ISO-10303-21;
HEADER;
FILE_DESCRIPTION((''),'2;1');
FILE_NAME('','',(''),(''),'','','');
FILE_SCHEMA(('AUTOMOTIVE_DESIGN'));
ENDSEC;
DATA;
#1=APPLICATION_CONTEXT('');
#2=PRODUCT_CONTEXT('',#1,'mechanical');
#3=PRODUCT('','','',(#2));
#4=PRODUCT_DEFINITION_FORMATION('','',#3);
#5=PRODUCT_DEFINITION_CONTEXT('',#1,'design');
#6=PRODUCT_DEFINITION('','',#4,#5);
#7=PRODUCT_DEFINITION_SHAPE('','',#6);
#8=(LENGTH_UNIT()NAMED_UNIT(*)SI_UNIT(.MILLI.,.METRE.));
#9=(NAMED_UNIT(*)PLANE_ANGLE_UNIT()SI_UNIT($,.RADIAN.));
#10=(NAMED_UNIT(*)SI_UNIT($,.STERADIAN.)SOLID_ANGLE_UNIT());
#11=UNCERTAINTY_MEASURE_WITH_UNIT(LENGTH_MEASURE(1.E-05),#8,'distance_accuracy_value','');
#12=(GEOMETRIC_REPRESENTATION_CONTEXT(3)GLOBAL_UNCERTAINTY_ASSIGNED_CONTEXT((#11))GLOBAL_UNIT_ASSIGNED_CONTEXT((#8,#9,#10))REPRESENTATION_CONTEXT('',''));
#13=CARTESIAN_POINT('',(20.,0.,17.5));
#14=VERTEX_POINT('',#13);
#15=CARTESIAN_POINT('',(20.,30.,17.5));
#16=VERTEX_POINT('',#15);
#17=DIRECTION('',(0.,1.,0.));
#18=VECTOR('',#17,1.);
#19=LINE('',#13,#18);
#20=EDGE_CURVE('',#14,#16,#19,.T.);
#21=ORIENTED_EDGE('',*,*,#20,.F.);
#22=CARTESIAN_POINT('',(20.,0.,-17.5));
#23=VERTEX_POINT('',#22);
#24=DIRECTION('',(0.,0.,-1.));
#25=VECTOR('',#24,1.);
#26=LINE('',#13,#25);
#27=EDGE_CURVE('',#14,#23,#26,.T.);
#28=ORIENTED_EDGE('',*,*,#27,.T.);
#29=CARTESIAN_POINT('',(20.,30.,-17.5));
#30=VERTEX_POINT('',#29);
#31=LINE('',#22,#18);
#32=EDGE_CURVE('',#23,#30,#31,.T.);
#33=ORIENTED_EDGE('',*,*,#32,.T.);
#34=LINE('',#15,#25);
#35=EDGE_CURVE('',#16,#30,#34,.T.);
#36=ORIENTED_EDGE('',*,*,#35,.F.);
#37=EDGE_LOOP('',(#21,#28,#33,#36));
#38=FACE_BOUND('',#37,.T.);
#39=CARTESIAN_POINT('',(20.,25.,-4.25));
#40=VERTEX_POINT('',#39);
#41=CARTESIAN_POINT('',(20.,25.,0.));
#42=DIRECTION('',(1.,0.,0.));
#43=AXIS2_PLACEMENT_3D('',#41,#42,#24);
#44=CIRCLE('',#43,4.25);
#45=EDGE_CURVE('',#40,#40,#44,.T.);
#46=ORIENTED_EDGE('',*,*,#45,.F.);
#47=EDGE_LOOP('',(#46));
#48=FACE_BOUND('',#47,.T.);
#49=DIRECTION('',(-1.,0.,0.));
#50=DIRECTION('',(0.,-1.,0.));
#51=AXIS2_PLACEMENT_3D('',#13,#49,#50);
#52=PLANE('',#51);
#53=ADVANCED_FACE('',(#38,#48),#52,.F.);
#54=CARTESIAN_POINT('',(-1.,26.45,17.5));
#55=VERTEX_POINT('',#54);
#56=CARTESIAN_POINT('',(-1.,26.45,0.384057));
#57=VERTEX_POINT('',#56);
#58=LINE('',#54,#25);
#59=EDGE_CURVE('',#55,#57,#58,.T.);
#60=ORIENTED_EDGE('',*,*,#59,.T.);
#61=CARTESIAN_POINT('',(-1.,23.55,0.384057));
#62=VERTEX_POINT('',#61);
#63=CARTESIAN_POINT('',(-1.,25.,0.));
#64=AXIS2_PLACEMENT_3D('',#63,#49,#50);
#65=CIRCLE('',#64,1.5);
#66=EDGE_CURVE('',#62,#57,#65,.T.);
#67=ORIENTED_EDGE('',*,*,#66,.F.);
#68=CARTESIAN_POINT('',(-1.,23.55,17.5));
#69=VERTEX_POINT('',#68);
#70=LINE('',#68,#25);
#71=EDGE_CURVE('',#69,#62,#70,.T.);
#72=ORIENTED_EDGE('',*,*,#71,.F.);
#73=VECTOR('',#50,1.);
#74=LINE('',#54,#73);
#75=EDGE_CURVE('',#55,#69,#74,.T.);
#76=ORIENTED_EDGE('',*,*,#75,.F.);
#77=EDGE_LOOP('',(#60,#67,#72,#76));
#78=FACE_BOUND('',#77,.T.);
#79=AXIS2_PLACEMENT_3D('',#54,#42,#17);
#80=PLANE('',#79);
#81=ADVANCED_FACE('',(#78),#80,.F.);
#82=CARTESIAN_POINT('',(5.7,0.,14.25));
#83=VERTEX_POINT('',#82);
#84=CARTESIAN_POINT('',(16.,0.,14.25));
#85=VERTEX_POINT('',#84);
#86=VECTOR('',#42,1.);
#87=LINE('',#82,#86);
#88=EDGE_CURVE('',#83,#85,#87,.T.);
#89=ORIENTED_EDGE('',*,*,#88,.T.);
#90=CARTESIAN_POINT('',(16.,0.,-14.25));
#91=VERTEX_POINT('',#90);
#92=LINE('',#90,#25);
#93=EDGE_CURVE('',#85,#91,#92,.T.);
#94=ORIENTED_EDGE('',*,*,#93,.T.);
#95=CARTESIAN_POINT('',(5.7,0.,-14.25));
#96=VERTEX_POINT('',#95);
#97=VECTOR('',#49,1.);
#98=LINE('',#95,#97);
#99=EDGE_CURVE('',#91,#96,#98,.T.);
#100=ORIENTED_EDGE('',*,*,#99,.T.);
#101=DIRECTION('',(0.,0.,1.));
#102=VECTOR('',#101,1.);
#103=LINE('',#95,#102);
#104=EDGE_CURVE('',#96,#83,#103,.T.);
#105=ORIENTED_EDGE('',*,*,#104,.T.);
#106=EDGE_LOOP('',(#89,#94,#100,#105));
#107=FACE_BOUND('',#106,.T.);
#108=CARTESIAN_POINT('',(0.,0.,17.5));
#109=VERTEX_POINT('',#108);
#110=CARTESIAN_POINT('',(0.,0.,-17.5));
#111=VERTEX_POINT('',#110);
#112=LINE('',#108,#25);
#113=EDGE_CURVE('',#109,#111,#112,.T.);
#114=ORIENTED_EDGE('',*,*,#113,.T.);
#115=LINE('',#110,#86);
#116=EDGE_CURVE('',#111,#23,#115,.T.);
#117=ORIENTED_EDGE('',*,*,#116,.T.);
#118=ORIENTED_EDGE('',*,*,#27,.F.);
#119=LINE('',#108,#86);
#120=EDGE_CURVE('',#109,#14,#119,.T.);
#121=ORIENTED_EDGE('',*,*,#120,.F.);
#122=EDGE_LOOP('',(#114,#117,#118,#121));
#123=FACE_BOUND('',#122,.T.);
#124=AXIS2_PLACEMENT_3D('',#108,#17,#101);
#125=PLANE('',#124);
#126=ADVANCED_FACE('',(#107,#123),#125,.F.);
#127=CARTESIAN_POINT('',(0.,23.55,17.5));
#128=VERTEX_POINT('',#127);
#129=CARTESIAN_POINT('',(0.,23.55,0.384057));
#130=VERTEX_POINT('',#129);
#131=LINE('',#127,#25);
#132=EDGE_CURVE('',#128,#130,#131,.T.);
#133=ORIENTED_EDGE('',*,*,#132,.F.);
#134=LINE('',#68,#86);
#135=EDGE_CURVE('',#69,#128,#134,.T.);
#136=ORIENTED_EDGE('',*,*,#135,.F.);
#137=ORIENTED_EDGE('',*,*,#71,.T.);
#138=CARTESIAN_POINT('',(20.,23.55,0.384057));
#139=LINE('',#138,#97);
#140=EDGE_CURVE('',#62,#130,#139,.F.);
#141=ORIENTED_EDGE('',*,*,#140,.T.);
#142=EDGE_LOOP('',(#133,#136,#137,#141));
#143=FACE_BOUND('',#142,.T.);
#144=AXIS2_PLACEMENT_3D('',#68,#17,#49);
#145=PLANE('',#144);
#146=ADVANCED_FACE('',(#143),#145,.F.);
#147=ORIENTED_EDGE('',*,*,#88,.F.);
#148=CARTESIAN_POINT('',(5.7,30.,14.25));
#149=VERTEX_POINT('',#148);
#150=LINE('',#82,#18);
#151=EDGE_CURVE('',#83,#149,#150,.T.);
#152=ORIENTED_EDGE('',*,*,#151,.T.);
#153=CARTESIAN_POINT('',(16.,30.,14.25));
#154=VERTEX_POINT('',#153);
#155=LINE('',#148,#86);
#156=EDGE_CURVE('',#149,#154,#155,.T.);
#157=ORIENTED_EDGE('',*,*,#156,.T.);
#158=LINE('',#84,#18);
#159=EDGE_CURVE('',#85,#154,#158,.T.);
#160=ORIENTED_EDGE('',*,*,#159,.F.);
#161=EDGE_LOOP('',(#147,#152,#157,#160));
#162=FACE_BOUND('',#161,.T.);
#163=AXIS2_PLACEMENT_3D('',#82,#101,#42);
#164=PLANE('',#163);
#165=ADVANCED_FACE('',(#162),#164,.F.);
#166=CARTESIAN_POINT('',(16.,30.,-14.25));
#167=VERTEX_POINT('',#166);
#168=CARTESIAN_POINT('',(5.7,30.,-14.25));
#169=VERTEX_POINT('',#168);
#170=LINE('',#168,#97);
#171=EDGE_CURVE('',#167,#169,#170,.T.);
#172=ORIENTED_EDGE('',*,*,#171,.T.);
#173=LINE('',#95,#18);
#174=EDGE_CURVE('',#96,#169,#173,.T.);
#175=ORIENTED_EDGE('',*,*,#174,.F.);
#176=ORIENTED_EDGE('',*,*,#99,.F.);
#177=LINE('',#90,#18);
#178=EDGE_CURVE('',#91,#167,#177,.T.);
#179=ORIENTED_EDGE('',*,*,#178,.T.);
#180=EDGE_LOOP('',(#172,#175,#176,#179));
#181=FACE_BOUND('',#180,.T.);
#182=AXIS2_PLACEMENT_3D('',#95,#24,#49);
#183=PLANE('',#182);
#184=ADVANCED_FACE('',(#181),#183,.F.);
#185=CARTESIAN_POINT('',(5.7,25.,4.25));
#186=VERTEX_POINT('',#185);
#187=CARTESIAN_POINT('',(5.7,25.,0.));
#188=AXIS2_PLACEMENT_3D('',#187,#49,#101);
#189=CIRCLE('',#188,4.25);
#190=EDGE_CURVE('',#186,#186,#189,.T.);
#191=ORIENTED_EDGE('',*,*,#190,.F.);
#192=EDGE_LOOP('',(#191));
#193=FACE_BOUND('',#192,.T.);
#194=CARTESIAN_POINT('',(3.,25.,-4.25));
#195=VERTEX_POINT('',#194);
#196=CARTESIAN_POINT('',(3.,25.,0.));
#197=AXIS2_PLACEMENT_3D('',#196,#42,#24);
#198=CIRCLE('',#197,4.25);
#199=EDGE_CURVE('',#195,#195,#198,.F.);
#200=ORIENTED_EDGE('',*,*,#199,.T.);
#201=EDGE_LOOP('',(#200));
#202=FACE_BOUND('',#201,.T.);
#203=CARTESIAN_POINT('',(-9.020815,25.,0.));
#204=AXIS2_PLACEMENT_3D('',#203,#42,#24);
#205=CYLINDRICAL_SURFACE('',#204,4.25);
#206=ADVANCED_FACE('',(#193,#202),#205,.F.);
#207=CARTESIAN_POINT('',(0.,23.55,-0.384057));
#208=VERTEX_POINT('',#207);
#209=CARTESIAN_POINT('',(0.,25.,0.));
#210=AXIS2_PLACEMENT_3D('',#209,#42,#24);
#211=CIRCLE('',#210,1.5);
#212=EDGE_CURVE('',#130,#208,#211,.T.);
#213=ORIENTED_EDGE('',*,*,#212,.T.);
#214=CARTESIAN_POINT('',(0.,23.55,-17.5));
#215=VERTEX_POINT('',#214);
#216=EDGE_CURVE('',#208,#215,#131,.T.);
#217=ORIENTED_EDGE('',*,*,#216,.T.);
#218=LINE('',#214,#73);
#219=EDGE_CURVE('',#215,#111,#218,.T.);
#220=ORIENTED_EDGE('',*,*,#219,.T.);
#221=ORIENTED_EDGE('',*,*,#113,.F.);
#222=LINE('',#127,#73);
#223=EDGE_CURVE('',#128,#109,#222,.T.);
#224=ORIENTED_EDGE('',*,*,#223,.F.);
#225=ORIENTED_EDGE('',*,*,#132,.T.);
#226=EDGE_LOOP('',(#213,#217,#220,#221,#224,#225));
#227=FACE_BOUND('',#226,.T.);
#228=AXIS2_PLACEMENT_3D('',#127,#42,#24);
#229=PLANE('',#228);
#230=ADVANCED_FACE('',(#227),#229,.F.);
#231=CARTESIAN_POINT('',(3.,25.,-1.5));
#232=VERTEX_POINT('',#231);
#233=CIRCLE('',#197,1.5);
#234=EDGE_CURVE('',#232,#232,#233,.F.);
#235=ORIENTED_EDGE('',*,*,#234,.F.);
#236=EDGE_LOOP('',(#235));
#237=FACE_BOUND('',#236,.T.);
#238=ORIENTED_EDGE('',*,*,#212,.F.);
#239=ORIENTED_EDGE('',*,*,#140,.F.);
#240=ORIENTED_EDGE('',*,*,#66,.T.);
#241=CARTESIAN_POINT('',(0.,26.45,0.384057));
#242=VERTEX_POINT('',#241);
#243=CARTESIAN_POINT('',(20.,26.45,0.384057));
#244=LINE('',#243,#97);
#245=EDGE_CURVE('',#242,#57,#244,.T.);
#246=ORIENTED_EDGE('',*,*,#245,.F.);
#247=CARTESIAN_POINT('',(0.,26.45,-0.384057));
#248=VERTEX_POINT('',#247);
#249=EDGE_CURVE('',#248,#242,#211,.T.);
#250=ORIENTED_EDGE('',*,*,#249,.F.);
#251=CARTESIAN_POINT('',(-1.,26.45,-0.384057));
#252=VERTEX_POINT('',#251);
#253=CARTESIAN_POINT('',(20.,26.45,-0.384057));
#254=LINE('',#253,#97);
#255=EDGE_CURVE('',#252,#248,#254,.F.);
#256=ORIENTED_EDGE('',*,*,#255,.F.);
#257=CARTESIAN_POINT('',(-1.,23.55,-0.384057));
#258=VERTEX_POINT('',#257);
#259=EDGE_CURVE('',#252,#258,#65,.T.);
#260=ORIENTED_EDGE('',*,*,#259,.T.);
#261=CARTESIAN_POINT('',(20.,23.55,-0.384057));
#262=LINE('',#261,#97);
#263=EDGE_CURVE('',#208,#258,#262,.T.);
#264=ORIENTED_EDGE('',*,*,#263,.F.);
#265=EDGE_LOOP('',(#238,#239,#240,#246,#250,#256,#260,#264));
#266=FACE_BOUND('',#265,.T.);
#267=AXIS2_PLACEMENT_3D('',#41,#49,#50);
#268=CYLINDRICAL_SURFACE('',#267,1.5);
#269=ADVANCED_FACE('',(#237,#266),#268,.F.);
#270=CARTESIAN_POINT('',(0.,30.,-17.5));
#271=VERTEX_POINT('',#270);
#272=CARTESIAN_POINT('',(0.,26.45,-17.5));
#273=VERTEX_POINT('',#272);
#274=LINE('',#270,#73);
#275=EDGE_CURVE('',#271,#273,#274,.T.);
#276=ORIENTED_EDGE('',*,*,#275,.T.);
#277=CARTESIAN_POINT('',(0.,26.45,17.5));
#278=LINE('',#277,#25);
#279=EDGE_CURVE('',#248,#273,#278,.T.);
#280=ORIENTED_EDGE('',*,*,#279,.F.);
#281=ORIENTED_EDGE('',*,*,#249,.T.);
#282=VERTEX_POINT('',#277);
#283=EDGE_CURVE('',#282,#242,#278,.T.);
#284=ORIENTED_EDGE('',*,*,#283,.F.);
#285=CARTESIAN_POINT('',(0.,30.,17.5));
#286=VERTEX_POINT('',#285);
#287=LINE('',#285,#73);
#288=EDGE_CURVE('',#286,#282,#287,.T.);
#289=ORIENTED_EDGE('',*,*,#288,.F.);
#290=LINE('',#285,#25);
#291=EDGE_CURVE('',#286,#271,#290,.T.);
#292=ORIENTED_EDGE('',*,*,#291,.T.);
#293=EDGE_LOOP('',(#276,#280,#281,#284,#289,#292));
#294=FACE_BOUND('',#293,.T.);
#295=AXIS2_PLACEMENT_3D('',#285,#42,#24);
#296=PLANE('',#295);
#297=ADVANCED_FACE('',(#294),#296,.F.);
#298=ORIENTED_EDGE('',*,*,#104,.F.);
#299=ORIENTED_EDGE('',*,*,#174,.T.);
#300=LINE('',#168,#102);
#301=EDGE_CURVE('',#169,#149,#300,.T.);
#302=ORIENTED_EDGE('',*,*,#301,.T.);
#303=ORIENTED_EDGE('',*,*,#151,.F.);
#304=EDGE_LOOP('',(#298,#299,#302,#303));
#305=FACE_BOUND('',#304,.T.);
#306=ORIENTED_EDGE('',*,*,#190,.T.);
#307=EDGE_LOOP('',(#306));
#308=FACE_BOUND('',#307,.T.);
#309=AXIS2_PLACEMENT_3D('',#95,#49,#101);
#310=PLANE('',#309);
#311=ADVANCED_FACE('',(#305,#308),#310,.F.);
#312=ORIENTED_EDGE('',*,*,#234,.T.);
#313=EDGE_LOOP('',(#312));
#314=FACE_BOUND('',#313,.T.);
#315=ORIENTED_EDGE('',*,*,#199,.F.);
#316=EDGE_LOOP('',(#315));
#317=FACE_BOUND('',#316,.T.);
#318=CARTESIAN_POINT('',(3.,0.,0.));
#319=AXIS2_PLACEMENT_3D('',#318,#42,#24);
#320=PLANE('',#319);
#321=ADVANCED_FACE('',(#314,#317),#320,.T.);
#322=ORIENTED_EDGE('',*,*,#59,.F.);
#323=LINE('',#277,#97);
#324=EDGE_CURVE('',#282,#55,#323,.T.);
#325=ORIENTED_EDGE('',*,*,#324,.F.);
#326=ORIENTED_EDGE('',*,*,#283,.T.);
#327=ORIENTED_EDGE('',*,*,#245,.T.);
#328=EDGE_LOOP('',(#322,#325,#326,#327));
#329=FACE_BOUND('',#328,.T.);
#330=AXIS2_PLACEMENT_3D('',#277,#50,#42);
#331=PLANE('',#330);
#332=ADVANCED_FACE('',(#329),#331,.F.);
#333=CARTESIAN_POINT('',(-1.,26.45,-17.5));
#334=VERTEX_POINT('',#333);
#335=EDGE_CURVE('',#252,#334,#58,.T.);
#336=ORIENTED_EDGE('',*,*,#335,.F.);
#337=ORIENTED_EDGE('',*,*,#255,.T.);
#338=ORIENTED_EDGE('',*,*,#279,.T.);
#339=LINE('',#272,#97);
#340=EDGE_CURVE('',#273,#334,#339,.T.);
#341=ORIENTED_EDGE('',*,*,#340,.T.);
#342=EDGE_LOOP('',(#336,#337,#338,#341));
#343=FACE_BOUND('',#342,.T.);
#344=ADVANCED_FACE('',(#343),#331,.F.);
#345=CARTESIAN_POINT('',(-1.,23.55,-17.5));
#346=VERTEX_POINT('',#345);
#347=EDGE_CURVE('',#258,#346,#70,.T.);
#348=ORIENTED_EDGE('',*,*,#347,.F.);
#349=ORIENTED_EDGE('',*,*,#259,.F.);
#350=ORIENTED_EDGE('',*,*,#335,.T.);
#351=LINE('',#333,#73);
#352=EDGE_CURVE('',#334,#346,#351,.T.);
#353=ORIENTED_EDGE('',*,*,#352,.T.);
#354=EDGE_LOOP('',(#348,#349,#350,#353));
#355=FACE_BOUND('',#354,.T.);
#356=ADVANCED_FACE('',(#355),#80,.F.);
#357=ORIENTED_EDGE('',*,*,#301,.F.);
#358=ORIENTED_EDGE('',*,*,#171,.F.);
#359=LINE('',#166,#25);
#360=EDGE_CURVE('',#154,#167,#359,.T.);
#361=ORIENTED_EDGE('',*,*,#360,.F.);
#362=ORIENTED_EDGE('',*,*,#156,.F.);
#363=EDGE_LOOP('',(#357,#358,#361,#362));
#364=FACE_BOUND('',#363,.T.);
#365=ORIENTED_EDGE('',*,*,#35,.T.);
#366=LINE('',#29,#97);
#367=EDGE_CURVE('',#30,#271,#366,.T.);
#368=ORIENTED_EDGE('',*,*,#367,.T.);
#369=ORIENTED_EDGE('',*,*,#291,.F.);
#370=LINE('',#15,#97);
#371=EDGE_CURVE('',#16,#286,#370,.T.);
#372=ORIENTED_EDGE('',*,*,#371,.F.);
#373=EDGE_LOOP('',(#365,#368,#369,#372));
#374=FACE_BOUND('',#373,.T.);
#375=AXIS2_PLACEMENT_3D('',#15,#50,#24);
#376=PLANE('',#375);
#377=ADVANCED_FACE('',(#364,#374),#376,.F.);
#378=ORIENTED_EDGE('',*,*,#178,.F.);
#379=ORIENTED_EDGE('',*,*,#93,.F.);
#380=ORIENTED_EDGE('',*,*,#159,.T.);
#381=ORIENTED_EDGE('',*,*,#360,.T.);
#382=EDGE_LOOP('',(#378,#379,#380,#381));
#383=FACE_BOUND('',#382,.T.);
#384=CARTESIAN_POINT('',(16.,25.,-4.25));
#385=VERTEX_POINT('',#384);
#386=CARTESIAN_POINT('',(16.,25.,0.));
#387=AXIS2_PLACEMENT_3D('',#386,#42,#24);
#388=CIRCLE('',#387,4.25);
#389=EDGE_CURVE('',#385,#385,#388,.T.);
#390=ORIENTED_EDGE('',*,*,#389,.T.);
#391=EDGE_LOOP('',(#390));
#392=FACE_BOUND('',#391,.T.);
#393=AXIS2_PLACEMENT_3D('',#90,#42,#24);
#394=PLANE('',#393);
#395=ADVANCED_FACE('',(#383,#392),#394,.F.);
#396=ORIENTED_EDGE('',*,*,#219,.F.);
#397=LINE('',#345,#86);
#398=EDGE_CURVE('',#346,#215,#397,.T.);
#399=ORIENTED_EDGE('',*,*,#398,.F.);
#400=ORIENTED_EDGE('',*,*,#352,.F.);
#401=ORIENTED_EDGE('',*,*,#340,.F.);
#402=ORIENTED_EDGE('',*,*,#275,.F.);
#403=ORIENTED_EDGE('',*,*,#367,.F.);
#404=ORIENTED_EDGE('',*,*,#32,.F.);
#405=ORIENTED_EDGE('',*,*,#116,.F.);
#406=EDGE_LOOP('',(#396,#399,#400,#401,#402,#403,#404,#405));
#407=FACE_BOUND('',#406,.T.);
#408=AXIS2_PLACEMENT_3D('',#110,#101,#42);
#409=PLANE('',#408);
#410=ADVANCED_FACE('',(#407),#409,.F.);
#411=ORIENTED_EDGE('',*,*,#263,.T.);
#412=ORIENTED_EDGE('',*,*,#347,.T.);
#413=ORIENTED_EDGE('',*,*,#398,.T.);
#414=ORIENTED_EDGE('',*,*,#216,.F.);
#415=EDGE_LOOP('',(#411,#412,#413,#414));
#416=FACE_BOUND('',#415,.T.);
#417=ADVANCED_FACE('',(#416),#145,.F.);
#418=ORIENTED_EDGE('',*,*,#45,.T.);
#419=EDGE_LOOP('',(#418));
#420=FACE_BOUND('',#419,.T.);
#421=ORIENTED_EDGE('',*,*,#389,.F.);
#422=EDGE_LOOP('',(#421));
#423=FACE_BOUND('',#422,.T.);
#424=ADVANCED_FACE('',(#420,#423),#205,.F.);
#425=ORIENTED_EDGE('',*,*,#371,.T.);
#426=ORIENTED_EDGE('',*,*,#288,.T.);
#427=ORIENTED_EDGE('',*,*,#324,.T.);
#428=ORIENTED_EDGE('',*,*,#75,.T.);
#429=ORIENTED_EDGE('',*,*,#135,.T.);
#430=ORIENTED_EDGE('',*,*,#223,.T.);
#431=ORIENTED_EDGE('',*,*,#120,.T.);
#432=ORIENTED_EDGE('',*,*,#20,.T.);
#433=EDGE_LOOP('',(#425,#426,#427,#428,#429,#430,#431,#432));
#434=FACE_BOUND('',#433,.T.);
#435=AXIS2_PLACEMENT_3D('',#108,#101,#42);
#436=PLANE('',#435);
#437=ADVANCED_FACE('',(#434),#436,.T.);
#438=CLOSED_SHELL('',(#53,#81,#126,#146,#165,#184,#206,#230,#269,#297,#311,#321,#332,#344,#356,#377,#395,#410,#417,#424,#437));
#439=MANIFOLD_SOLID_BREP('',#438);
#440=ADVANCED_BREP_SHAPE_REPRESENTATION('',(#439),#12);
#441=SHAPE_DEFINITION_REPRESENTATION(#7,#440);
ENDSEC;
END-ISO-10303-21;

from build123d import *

# Parameters (mm, degrees)
MAIN_DEPTH             = 17.5
SKETCH2_W              = 10.3
SKETCH2_H              = 28.5
HOLEFORSWITCH_DEPTH    = 31
SKETCH4_R              = 1.5
MAKERBEAMFIXHOLE_DEPTH = 22
HOLEFORTOOL_START      = -17
SKETCH5_R              = 4.25
HOLEFORTOOL_DEPTH      = 17


with BuildPart() as part:
    # Sketch1 → Main (new body, symmetric)
    with BuildSketch(Plane.XY):
        Polygon((-1, 26.45), (-1, 23.55), (0, 23.55), (0, 0), (20, 0), (20, 30), (0, 30), (0, 26.45), align=None)
    extrude(amount=MAIN_DEPTH, both=True)

    # Sketch2 → HoleForSwitch (cut, through all)
    with BuildSketch(Plane(origin=(0, 30, 0), x_dir=(1, 0, 0), z_dir=(0, 1, 0))):
        with Locations((10.85, 0)):
            Rectangle(SKETCH2_W, SKETCH2_H)
    extrude(amount=-HOLEFORSWITCH_DEPTH, mode=Mode.SUBTRACT)

    # Sketch4 → MakerBeamFixHole (cut, through all)
    with BuildSketch(Plane.ZY.offset(1)):
        with Locations((0, 25)):
            Circle(SKETCH4_R)
    extrude(amount=-MAKERBEAMFIXHOLE_DEPTH, mode=Mode.SUBTRACT)

    # Sketch5 → HoleForTool (cut)
    with BuildSketch(Plane(origin=(20, 0, 0), x_dir=(0, 0, -1), z_dir=(1, 0, 0)).offset(HOLEFORTOOL_START)):
        with Locations((0, 25)):
            Circle(SKETCH5_R)
    extrude(amount=HOLEFORTOOL_DEPTH, mode=Mode.SUBTRACT)


solid = part.part
